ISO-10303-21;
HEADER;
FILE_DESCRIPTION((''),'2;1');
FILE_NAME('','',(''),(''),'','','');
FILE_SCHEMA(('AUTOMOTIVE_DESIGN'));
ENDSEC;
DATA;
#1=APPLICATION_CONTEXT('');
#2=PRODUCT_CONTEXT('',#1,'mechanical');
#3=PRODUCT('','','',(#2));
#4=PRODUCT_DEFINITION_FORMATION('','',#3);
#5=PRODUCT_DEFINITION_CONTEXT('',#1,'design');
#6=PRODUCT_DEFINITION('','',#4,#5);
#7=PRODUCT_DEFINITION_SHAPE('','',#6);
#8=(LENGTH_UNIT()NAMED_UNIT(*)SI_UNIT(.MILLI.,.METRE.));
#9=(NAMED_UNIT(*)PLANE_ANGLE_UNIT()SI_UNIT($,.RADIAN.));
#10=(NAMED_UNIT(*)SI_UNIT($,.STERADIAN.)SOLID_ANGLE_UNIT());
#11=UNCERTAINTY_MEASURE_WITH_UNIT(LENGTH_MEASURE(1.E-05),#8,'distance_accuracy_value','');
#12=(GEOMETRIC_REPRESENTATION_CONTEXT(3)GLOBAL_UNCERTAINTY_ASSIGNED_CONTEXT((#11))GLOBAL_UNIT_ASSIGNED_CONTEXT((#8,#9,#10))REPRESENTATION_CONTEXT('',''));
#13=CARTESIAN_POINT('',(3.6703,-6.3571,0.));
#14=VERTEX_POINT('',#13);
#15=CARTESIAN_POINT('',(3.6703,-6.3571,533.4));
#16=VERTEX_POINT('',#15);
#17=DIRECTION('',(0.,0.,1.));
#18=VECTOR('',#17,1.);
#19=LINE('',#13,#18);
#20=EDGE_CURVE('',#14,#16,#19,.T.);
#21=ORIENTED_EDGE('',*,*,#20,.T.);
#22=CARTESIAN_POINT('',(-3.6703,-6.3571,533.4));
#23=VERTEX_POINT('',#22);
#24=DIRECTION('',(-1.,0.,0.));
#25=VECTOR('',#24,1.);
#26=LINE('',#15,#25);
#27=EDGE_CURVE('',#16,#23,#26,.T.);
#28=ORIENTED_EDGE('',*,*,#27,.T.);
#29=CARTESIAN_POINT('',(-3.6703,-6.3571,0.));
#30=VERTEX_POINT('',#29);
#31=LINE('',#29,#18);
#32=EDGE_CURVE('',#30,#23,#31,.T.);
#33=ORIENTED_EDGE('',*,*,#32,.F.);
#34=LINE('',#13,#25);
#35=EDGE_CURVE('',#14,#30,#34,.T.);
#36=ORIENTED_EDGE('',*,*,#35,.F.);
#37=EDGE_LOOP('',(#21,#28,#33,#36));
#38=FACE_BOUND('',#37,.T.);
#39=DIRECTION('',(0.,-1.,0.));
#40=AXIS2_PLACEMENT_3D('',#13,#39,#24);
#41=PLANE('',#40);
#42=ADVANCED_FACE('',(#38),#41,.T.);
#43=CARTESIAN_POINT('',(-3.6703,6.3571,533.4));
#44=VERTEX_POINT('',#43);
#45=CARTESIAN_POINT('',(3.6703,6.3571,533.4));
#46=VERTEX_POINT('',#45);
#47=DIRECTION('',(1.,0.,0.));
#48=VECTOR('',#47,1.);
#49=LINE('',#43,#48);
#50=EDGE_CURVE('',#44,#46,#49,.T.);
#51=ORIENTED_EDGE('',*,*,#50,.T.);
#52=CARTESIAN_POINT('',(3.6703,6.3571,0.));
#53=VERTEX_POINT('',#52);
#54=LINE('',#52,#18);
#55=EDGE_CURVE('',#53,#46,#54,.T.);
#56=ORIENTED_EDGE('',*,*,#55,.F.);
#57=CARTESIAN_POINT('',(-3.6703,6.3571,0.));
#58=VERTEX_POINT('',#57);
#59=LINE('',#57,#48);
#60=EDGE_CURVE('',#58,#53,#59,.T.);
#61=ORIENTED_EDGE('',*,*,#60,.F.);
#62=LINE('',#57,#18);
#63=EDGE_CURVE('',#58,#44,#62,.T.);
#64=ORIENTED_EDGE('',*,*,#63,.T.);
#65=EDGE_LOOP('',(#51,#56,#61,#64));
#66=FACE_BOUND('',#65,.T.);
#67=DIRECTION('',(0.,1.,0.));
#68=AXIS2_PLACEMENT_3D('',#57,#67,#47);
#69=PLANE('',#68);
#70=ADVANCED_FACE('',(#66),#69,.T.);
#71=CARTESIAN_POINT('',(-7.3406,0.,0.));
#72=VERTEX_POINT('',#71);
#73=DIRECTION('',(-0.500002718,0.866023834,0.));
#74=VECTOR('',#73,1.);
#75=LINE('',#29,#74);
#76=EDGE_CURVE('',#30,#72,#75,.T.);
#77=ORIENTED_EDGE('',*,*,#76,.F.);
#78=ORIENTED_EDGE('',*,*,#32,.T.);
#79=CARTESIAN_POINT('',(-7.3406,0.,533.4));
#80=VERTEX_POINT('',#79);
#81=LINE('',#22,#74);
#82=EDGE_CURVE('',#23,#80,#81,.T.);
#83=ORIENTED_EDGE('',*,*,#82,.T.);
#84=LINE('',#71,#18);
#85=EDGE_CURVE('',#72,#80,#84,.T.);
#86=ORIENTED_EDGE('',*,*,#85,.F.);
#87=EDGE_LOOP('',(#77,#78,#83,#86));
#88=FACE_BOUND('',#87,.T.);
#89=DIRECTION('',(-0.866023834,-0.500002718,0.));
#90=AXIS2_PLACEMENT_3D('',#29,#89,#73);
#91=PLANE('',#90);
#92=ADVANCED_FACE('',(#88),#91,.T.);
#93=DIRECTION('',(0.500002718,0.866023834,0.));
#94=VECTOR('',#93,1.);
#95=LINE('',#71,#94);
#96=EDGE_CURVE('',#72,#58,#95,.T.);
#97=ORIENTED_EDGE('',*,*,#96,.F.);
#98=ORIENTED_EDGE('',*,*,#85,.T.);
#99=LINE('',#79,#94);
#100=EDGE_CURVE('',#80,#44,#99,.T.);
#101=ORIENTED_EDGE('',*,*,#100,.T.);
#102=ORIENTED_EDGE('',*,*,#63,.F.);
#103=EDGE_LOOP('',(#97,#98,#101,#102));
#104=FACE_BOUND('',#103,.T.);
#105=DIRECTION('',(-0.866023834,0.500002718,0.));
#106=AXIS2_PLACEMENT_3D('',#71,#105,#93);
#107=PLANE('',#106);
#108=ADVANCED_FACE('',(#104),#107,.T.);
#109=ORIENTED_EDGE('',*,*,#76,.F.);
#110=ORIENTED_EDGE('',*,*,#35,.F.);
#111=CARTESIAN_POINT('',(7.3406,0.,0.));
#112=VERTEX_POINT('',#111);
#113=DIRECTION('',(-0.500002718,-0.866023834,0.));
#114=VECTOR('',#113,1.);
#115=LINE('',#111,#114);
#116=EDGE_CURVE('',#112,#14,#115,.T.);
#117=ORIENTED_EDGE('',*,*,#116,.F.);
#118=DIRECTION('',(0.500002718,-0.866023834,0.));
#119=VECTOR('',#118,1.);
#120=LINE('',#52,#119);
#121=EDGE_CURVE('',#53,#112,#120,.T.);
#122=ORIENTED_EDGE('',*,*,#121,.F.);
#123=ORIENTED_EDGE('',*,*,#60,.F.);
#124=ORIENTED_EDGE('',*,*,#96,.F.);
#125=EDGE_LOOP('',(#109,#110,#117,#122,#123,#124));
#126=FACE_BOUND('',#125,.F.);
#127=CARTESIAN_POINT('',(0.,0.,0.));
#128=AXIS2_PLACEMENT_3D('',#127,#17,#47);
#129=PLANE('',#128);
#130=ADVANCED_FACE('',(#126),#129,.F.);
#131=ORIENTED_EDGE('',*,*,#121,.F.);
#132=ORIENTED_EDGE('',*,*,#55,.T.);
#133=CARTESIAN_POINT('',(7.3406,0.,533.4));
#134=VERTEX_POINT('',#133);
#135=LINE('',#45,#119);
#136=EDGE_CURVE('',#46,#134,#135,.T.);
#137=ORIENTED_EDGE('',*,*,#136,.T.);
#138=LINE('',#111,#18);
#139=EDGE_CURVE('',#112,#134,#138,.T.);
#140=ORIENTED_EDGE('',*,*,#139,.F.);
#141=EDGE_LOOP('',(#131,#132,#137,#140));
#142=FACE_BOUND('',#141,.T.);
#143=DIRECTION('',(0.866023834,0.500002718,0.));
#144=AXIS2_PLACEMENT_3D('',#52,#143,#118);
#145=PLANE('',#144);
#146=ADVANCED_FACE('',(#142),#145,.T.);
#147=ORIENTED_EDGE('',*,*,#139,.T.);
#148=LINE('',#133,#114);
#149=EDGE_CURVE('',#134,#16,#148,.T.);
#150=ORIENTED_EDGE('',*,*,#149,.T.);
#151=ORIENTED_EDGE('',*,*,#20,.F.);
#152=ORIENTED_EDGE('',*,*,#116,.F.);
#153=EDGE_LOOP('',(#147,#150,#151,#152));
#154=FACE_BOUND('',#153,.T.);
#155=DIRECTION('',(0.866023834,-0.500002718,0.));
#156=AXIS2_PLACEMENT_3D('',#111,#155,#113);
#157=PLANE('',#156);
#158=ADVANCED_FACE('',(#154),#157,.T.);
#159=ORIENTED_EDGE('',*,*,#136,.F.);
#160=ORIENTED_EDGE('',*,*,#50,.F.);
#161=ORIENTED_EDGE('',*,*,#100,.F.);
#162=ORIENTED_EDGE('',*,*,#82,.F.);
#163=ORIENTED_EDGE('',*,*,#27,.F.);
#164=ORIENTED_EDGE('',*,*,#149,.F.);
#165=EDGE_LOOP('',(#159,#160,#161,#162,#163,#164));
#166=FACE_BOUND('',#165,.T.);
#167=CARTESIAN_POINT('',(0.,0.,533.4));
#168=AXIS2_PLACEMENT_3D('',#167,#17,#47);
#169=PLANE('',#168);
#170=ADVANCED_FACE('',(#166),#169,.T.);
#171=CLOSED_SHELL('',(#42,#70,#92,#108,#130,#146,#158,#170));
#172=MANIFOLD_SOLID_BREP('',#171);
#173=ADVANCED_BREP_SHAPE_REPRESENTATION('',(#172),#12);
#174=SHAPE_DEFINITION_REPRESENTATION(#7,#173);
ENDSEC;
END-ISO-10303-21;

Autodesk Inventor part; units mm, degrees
ref_plane "YZ Plane" through (0, 0, 0) normal (1, 0, 0) x (0, 1, 0)
ref_plane "XZ Plane" through (0, 0, 0) normal (0, 1, 0) x (-1, 0, 0)
ref_plane "XY Plane" through (0, 0, 0) normal (0, 0, 1) x (1, 0, 0)
sketch "Sketch1" plane through (0, 0, 0) normal (0, 0, 1) x (1, 0, 0)
  line L0 (7.3406, 0) -> (3.6703, -6.3571)
  line L1 (3.6703, -6.3571) -> (-3.6703, -6.3571)
  line L2 (-3.6703, -6.3571) -> (-7.3406, 0)
  line L3 (-7.3406, 0) -> (-3.6703, 6.3571)
  line L4 (-3.6703, 6.3571) -> (3.6703, 6.3571)
  line L5 (3.6703, 6.3571) -> (7.3406, 0)
  point P0 (0, 0)
  point P1 (0, 0)
  dimension "d0" = 14.6812
extrude "Extrusion1" add sketch "Sketch1" along normal blind 533.4
properties part number "Hex Shaft" material "Aluminum 6061"
